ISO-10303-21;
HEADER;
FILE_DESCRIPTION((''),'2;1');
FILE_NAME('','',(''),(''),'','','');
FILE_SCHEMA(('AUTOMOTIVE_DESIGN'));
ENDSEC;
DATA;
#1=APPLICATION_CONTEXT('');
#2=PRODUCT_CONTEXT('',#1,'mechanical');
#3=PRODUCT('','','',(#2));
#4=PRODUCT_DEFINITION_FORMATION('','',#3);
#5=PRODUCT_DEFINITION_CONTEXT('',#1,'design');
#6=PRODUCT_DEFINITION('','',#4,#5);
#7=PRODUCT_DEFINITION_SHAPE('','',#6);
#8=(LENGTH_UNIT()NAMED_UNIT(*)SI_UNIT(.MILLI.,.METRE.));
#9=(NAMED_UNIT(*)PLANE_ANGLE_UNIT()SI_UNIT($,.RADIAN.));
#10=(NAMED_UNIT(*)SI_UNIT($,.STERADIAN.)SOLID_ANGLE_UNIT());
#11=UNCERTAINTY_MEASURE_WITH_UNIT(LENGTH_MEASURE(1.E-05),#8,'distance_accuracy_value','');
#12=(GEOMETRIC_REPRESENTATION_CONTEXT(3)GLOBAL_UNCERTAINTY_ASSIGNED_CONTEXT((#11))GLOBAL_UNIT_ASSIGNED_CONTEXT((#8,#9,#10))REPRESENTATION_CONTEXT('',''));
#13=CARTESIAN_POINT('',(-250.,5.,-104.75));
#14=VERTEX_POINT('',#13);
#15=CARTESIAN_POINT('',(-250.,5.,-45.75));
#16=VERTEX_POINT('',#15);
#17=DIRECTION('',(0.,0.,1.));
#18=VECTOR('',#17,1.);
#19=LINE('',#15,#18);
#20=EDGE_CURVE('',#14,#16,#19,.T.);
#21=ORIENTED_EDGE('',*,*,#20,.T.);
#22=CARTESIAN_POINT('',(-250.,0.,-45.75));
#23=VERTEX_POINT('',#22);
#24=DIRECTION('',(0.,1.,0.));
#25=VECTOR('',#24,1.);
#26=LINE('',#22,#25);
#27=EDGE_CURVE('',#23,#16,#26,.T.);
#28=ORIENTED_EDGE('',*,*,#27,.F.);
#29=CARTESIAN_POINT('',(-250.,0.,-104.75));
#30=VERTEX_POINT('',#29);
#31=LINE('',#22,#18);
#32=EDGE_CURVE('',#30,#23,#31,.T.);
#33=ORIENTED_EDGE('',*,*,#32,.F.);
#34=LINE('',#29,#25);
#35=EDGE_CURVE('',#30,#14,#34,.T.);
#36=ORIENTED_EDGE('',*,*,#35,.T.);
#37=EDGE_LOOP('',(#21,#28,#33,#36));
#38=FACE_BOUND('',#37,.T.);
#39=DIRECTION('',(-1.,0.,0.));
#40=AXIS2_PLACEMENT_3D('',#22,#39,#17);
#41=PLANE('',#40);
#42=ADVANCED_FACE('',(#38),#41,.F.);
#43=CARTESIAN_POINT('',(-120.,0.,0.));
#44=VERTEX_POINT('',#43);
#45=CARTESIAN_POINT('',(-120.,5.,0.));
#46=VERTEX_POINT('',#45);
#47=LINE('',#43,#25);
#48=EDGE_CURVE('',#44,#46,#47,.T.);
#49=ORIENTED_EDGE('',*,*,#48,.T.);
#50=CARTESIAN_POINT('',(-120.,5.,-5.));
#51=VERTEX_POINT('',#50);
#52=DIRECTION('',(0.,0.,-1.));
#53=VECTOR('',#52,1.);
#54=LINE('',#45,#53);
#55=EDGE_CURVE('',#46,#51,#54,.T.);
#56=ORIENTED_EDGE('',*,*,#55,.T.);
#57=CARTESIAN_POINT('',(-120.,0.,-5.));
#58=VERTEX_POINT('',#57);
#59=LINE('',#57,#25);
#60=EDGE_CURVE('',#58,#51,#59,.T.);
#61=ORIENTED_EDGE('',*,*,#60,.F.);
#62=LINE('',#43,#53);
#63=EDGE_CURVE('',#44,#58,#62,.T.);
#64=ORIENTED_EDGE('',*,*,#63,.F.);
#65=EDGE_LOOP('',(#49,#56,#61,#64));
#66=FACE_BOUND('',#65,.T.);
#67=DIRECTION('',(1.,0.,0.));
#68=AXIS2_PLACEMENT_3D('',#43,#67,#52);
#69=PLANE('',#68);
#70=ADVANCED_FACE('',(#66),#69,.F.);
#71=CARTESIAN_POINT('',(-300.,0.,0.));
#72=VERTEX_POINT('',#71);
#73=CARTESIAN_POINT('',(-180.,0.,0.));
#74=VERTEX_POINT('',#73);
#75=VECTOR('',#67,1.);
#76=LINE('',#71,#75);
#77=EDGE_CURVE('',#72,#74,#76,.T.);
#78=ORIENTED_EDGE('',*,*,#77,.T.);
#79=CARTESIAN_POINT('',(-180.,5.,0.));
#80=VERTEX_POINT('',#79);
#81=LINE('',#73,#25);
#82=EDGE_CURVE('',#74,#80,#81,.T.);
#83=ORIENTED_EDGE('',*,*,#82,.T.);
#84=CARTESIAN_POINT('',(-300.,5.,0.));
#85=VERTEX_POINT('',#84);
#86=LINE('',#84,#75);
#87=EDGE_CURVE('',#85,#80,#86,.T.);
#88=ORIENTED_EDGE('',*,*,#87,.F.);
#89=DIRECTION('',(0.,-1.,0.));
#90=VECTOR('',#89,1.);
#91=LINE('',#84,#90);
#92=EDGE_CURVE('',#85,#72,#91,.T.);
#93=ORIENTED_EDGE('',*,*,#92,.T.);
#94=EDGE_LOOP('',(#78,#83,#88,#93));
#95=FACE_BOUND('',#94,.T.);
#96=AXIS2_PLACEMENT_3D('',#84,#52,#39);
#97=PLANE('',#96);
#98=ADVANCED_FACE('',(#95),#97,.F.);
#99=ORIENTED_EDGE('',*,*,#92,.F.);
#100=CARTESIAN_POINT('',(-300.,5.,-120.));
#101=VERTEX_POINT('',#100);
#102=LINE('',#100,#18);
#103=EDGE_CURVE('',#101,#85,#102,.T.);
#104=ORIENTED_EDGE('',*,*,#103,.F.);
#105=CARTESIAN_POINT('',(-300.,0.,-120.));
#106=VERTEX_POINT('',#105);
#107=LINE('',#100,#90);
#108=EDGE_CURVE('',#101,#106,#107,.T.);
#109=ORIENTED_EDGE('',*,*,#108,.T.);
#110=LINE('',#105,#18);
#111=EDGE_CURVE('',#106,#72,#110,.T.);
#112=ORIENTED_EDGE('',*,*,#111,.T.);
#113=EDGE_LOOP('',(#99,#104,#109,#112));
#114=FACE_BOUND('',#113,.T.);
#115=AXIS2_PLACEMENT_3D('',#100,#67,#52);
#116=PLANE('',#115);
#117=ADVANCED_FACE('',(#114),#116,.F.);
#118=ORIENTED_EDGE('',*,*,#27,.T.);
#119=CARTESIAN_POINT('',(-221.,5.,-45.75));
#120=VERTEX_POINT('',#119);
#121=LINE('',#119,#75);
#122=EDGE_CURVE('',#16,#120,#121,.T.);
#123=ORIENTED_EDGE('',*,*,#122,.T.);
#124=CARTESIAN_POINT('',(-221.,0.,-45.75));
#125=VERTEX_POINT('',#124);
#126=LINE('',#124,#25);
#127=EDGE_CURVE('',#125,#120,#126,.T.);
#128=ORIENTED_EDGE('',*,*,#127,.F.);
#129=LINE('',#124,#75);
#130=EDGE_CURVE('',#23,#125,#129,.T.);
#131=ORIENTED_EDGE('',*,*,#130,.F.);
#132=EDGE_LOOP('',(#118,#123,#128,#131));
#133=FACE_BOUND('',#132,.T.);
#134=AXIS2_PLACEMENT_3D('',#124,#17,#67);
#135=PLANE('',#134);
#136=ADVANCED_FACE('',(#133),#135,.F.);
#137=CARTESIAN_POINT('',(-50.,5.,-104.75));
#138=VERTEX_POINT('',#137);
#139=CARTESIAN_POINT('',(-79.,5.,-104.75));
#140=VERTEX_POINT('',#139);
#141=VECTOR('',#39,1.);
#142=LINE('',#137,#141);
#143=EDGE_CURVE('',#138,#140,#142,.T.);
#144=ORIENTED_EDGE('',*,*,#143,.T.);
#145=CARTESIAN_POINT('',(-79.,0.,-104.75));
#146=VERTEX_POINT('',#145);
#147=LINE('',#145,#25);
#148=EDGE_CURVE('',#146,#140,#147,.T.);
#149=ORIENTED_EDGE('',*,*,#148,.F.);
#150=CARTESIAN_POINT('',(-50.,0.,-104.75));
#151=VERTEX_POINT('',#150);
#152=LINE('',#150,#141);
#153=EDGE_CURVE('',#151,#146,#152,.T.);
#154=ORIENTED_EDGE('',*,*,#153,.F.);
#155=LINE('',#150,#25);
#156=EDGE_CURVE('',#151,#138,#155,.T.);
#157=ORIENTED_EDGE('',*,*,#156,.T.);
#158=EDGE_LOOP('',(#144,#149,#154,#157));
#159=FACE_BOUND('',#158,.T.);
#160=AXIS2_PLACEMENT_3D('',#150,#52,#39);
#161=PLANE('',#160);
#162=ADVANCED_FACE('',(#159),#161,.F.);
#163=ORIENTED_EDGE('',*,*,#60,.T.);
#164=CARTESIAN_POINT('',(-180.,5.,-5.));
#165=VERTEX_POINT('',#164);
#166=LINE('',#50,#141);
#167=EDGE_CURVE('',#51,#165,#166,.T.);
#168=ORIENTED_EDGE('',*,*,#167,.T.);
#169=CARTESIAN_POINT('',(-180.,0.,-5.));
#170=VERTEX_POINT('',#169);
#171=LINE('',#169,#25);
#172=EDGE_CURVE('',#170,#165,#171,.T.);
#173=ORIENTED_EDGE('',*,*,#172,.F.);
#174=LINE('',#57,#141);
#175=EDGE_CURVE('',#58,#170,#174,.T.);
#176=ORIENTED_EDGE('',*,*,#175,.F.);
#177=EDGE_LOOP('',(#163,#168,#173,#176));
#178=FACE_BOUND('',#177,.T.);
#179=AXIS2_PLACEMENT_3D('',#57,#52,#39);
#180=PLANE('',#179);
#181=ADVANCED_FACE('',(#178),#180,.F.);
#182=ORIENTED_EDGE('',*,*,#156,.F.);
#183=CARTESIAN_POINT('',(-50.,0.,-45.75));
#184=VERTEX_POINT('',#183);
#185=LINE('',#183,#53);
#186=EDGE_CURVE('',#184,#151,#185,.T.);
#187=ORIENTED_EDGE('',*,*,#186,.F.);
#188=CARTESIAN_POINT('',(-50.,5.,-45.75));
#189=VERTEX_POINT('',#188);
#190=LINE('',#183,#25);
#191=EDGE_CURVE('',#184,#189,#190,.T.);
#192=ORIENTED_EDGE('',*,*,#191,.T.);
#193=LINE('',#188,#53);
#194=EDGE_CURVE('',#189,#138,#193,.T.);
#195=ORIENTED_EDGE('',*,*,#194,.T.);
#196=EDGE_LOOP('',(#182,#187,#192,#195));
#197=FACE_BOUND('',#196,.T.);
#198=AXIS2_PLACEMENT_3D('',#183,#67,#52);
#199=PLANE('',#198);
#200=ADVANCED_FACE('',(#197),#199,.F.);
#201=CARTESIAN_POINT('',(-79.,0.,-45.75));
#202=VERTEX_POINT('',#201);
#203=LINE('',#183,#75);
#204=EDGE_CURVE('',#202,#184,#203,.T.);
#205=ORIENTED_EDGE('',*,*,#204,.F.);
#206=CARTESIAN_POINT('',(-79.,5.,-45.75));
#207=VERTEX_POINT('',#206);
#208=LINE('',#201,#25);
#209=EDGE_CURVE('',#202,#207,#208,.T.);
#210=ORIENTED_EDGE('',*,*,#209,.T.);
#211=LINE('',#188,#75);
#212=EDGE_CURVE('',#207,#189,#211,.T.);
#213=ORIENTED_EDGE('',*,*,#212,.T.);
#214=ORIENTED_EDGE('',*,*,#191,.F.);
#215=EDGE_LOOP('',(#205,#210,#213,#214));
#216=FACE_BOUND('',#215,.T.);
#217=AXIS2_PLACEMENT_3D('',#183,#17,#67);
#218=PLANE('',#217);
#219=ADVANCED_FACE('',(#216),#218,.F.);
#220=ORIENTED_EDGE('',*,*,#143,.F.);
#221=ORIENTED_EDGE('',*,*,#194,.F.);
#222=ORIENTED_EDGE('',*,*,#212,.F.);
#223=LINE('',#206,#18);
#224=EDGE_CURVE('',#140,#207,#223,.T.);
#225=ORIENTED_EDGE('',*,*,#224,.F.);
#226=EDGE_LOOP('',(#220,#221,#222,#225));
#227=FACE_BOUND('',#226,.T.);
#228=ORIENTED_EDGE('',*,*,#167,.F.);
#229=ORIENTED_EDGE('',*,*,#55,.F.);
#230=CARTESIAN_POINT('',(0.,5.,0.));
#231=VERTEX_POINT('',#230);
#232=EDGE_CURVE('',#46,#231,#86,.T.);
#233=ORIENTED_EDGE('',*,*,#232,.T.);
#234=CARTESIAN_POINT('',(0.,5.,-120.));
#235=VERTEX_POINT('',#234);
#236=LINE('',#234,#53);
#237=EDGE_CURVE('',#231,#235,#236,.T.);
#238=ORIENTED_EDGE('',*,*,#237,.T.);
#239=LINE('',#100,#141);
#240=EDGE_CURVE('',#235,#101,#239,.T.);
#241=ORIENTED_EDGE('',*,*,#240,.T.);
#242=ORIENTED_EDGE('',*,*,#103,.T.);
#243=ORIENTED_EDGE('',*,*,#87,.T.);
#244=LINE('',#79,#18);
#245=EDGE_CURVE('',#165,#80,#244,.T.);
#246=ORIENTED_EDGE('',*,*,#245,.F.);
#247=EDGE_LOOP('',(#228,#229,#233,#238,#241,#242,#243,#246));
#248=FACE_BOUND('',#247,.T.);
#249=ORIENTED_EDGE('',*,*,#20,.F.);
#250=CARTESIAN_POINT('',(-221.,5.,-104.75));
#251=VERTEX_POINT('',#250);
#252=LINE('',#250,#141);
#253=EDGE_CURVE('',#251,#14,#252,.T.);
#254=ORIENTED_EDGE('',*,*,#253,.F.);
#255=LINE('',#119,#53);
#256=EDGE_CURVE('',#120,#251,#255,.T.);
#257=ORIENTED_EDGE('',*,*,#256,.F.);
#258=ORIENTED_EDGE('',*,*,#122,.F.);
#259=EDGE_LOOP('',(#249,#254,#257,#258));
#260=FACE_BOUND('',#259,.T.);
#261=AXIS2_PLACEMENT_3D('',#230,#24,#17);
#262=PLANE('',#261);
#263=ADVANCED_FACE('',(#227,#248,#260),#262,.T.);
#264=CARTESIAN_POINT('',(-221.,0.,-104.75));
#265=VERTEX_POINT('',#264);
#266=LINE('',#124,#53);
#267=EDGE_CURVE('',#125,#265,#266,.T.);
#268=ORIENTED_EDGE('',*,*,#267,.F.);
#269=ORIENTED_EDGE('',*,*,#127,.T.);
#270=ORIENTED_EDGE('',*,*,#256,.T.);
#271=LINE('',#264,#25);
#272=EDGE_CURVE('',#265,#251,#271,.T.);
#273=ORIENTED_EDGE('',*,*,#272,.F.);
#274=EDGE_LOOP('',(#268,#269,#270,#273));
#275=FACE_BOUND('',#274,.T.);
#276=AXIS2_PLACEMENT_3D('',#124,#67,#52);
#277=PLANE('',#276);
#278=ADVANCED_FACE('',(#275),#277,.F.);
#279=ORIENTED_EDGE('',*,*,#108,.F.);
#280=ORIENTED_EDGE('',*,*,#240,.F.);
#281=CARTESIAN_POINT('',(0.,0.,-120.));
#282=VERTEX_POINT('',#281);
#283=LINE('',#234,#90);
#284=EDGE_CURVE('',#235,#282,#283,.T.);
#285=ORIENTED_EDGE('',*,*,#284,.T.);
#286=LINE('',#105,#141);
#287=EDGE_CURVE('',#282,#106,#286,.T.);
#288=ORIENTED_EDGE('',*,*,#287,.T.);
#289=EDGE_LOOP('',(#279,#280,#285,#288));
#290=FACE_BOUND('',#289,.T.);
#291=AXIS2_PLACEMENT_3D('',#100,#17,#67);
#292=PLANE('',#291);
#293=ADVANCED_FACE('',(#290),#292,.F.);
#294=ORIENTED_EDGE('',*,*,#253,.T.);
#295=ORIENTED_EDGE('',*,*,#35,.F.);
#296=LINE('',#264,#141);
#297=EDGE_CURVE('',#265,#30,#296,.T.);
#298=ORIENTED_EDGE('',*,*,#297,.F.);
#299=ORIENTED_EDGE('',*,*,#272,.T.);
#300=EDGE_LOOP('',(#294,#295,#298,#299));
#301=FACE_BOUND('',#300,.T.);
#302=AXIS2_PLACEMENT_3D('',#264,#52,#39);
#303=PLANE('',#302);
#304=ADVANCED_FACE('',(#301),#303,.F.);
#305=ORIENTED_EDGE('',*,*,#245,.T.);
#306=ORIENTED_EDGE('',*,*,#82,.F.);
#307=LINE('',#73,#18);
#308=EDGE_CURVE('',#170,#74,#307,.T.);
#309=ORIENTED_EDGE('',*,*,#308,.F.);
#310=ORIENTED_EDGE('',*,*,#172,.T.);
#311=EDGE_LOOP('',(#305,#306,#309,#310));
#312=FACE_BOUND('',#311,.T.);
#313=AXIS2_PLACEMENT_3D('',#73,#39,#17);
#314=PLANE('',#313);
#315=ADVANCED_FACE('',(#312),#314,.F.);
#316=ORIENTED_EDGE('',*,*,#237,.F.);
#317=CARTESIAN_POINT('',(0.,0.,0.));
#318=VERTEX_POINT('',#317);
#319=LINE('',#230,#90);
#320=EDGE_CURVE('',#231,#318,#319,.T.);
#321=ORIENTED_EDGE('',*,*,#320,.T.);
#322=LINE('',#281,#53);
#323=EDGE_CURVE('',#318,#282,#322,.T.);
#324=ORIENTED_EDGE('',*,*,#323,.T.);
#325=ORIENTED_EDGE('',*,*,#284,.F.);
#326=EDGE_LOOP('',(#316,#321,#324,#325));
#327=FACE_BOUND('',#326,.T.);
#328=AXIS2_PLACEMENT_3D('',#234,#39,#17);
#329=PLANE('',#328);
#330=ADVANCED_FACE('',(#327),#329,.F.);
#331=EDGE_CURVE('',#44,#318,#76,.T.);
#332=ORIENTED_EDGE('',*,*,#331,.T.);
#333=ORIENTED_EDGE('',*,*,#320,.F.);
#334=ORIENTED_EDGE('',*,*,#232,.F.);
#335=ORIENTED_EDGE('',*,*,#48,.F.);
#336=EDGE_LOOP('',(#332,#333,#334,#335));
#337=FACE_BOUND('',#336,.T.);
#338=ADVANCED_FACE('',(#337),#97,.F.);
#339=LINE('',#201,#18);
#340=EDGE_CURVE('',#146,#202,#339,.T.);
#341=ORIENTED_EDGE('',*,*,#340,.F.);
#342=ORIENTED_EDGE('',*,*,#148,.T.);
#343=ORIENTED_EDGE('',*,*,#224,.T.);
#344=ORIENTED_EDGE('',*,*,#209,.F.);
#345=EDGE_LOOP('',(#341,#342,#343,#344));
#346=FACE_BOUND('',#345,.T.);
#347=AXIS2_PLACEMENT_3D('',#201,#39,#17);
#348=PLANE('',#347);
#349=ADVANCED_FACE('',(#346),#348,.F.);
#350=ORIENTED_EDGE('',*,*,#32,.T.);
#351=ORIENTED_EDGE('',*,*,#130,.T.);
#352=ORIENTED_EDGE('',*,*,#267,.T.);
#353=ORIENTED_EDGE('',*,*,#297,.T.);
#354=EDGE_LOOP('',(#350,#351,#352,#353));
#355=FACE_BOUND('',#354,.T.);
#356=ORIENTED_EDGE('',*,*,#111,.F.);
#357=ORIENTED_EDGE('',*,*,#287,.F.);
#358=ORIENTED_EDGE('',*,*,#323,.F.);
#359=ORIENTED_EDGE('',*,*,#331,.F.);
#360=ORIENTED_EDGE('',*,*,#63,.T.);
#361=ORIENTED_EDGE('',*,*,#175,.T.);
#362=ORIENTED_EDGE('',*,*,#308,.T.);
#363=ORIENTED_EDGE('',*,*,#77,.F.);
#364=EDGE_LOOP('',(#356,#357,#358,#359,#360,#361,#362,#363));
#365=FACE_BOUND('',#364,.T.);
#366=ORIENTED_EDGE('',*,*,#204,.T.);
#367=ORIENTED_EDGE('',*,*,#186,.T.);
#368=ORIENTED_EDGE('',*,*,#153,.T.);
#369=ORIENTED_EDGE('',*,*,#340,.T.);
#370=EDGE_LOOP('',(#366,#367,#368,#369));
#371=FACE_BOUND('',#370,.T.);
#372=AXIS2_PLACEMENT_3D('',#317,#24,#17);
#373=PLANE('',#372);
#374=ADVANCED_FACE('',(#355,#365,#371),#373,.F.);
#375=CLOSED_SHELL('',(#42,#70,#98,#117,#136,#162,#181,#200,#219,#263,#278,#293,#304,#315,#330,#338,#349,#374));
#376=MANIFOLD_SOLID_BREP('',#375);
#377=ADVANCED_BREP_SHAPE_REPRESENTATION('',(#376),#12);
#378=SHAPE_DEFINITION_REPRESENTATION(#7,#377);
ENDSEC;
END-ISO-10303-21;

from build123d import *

# Parameters (mm, degrees)
SKETCH1_W           = 300
SKETCH1_H           = 120
BOSS_EXTRUDE1_DEPTH = 5
SKETCH2_W           = 29
SKETCH2_H           = 59
SKETCH2_W_2         = 60
SKETCH2_H_2         = 5
CUT_EXTRUDE1_DEPTH  = 5


with BuildPart() as part:
    # Sketch1 → Boss-Extrude1 (new body)
    with BuildSketch(Plane(origin=(0, 0, 0), x_dir=(1, 0, 0), z_dir=(0, 1, 0))):
        with Locations((-150, 60)):
            Rectangle(SKETCH1_W, SKETCH1_H)
    extrude(amount=BOSS_EXTRUDE1_DEPTH)

    # Sketch2 → Cut-Extrude1 (cut)
    with BuildSketch(Plane(origin=(0, 5, 0), x_dir=(1, 0, 0), z_dir=(0, 1, 0))):
        with Locations((-64.5, 75.25)):
            Rectangle(SKETCH2_W, SKETCH2_H)
        with Locations((-235.5, 75.25)):
            Rectangle(SKETCH2_W, SKETCH2_H)
        with Locations((-150, 2.5)):
            Rectangle(SKETCH2_W_2, SKETCH2_H_2)
    extrude(amount=-CUT_EXTRUDE1_DEPTH, mode=Mode.SUBTRACT)


solid = part.part
